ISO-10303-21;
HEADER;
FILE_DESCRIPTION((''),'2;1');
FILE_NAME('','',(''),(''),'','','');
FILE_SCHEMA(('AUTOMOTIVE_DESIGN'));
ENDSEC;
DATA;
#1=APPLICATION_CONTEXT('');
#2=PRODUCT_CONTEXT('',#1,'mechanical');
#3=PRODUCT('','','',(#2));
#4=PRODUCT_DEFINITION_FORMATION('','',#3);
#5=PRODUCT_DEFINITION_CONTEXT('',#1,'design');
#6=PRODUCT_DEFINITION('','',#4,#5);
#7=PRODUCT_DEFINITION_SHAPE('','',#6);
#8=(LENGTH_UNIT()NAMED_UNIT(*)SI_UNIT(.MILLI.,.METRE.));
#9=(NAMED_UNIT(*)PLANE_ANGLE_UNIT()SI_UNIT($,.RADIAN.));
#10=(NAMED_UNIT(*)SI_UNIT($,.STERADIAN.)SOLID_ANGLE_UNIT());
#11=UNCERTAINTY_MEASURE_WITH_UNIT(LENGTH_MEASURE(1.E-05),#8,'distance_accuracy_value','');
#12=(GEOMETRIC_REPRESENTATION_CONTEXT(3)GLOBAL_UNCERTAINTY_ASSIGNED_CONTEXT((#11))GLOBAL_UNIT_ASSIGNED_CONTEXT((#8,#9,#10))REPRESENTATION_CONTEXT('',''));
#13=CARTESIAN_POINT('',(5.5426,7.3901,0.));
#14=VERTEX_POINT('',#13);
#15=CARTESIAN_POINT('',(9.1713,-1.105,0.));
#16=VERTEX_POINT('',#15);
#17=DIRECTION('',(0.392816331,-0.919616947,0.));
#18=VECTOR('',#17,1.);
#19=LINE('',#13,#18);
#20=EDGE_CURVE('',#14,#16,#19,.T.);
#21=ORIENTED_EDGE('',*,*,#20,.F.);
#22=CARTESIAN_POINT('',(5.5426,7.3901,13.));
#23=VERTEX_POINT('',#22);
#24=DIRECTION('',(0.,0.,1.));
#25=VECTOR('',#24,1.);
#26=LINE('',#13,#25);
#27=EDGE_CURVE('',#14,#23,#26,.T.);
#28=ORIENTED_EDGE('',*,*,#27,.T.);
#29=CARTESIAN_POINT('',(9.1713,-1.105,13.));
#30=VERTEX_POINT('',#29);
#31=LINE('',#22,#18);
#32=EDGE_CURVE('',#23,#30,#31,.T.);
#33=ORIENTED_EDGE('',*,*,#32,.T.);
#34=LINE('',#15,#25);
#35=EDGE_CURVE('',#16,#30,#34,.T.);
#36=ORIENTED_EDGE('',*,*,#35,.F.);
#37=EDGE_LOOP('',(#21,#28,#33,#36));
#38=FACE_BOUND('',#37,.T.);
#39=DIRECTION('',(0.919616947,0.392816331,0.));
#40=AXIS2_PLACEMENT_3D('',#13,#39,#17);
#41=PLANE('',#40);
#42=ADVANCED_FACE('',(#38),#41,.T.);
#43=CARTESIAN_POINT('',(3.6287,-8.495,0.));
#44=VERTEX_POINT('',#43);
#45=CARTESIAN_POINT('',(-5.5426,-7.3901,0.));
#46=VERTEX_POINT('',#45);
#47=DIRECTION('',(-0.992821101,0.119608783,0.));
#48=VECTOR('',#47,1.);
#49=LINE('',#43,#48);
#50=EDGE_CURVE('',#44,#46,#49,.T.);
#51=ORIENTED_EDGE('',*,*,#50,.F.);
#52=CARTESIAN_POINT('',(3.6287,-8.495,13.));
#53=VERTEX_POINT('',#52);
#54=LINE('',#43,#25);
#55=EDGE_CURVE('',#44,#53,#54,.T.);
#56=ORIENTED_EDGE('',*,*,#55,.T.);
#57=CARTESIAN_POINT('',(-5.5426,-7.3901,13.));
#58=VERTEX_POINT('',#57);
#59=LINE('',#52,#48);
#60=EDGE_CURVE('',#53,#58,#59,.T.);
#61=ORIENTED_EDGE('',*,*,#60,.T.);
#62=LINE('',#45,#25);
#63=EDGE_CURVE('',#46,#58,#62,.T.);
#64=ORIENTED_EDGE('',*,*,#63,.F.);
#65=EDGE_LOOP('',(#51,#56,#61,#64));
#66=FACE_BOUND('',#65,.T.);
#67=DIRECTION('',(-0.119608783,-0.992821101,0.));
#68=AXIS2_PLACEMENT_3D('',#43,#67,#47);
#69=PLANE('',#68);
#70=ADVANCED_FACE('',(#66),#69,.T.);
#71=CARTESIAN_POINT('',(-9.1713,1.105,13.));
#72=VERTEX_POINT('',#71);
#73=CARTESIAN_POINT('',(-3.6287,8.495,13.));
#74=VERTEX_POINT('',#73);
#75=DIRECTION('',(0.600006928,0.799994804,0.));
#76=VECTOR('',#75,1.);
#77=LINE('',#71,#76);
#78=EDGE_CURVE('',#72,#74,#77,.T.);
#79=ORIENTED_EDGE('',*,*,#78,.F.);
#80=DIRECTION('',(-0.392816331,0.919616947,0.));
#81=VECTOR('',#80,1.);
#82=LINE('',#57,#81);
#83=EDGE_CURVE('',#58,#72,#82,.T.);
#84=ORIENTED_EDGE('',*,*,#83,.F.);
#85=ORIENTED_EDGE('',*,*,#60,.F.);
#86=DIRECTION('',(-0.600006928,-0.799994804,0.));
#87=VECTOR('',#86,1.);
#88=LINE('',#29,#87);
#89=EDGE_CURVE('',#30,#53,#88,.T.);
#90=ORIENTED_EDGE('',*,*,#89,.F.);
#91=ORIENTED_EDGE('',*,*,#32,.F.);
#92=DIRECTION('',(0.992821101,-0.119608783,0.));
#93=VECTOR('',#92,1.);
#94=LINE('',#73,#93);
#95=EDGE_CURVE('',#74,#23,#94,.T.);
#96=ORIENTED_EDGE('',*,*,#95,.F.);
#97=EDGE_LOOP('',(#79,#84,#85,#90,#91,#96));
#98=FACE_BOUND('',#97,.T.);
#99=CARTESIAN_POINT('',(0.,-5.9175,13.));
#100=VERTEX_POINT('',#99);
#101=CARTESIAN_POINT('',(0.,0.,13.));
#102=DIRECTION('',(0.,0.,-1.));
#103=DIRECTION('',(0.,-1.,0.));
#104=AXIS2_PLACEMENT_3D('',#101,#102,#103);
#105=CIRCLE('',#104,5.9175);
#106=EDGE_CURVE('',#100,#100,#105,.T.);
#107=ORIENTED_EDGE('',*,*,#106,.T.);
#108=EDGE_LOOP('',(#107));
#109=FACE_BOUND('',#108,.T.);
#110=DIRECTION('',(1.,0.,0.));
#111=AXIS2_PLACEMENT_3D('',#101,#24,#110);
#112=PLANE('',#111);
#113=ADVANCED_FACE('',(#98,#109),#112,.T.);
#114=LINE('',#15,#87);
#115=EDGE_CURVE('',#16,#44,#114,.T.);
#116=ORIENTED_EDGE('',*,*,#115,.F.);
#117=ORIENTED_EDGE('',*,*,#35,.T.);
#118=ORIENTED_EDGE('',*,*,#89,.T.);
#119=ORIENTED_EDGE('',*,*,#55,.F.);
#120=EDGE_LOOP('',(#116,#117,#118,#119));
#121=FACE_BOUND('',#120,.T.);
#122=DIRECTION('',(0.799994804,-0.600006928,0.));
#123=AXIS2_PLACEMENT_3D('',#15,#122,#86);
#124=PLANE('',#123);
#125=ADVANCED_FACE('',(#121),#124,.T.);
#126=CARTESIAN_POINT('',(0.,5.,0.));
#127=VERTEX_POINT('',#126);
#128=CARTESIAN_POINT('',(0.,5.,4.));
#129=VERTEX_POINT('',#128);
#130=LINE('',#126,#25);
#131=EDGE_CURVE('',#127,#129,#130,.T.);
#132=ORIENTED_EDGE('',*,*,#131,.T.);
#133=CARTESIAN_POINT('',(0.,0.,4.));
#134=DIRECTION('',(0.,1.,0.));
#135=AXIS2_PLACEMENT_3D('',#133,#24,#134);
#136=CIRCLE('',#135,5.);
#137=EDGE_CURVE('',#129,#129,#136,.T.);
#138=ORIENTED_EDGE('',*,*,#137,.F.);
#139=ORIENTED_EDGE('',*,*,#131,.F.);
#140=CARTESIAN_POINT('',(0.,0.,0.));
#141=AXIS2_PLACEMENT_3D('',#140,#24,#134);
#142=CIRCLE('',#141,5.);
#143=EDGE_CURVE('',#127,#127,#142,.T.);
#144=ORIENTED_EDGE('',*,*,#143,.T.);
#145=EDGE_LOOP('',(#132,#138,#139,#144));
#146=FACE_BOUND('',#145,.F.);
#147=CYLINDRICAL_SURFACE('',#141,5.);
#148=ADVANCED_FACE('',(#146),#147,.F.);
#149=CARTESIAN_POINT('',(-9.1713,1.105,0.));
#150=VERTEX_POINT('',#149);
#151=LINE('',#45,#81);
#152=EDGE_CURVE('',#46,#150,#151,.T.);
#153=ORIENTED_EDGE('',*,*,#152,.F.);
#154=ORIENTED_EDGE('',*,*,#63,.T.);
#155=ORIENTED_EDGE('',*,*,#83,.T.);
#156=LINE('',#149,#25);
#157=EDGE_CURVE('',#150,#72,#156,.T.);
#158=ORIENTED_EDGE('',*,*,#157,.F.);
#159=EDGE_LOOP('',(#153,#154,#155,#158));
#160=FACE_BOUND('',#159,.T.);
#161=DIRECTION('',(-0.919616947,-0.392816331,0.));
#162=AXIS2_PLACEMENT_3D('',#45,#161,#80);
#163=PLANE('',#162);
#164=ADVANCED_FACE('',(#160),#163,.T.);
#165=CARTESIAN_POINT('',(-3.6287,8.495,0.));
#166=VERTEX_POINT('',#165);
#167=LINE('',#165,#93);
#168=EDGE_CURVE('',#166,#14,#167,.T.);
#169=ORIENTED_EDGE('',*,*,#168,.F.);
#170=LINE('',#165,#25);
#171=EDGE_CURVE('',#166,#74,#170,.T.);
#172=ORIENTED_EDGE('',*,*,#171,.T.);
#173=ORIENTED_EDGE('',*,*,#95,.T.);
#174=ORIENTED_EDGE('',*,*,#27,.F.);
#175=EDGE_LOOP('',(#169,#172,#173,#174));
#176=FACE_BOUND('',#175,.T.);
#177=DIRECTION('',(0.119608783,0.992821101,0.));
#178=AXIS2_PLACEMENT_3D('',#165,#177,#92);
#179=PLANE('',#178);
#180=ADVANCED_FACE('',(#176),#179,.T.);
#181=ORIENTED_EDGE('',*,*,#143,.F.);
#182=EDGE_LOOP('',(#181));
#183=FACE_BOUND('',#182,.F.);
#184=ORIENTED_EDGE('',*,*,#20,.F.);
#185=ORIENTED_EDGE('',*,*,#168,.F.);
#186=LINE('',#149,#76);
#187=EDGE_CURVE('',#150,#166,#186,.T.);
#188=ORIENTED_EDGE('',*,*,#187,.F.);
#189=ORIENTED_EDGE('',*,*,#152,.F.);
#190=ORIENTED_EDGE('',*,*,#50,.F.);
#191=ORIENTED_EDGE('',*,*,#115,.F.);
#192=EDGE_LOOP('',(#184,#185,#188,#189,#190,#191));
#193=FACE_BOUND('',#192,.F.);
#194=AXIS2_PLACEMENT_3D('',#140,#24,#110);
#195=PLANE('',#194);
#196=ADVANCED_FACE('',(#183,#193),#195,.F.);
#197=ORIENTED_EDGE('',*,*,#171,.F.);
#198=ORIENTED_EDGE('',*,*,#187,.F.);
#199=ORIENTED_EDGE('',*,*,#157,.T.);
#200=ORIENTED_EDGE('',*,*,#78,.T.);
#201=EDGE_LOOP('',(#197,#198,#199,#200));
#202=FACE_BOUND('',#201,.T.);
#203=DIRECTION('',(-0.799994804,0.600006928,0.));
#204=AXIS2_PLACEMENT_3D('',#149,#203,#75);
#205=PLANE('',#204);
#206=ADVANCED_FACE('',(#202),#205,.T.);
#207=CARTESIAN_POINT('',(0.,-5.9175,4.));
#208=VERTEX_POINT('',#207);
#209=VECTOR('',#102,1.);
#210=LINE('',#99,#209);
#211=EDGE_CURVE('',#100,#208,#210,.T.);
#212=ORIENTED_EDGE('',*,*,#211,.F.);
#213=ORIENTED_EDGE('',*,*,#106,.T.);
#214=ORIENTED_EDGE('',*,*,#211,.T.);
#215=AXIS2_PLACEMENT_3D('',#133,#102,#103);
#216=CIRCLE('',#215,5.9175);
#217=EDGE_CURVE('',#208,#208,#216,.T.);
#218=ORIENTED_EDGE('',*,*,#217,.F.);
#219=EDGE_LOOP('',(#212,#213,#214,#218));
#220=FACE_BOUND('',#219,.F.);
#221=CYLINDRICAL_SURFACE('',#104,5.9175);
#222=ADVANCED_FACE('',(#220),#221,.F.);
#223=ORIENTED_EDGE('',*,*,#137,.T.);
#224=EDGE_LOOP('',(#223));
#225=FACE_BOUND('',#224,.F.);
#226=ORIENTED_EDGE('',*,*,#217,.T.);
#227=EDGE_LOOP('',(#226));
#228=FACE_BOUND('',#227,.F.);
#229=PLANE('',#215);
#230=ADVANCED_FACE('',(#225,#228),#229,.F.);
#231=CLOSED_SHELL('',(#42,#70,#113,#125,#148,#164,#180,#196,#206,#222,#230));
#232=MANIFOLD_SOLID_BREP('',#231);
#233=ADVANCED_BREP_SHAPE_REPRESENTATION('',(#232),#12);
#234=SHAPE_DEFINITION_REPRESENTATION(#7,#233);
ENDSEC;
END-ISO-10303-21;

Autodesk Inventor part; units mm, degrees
ref_plane "YZ Plane" through (0, 0, 0) normal (1, 0, 0) x (0, 1, 0)
ref_plane "XZ Plane" through (0, 0, 0) normal (0, 1, 0) x (-1, 0, 0)
ref_plane "XY Plane" through (0, 0, 0) normal (0, 0, 1) x (1, 0, 0)
sketch "Sketch1" plane through (0, 0, 0) normal (0, 0, 1) x (1, 0, 0)
  line L0 (-5.5426, -7.3901) -> (-9.1713, 1.105)
  line L1 (-9.1713, 1.105) -> (-3.6287, 8.495)
  line L2 (-3.6287, 8.495) -> (5.5426, 7.3901)
  line L3 (5.5426, 7.3901) -> (9.1713, -1.105)
  line L4 (9.1713, -1.105) -> (3.6287, -8.495)
  line L5 (3.6287, -8.495) -> (-5.5426, -7.3901)
  point P0 (0, 0)
  point P1 (0, 0)
  dimension "d0" = 16
extrude "Extrusion1" add sketch "Sketch1" along normal blind 13
sketch "Sketch2" plane through (0, 0, 13) normal (0, 0, 1) x (1, 0, 0)
  point P0 (0, 0)
hole "Hole1" at (0, 0, 13) direction (0, 0, -1) diameter 11.835 depth 9 thread size "M14x2" class "6H" standard "ANSI Metric M Profile"
sketch "Sketch3" plane through (0, 0, 0) normal (0, 0, -1) x (-1, 0, 0)
  point P0 (0, 0)
hole "Hole2" at (0, 0, 0) direction (0, 0, 1) diameter 10 depth 9
properties part number "HUDSON-1-108"
